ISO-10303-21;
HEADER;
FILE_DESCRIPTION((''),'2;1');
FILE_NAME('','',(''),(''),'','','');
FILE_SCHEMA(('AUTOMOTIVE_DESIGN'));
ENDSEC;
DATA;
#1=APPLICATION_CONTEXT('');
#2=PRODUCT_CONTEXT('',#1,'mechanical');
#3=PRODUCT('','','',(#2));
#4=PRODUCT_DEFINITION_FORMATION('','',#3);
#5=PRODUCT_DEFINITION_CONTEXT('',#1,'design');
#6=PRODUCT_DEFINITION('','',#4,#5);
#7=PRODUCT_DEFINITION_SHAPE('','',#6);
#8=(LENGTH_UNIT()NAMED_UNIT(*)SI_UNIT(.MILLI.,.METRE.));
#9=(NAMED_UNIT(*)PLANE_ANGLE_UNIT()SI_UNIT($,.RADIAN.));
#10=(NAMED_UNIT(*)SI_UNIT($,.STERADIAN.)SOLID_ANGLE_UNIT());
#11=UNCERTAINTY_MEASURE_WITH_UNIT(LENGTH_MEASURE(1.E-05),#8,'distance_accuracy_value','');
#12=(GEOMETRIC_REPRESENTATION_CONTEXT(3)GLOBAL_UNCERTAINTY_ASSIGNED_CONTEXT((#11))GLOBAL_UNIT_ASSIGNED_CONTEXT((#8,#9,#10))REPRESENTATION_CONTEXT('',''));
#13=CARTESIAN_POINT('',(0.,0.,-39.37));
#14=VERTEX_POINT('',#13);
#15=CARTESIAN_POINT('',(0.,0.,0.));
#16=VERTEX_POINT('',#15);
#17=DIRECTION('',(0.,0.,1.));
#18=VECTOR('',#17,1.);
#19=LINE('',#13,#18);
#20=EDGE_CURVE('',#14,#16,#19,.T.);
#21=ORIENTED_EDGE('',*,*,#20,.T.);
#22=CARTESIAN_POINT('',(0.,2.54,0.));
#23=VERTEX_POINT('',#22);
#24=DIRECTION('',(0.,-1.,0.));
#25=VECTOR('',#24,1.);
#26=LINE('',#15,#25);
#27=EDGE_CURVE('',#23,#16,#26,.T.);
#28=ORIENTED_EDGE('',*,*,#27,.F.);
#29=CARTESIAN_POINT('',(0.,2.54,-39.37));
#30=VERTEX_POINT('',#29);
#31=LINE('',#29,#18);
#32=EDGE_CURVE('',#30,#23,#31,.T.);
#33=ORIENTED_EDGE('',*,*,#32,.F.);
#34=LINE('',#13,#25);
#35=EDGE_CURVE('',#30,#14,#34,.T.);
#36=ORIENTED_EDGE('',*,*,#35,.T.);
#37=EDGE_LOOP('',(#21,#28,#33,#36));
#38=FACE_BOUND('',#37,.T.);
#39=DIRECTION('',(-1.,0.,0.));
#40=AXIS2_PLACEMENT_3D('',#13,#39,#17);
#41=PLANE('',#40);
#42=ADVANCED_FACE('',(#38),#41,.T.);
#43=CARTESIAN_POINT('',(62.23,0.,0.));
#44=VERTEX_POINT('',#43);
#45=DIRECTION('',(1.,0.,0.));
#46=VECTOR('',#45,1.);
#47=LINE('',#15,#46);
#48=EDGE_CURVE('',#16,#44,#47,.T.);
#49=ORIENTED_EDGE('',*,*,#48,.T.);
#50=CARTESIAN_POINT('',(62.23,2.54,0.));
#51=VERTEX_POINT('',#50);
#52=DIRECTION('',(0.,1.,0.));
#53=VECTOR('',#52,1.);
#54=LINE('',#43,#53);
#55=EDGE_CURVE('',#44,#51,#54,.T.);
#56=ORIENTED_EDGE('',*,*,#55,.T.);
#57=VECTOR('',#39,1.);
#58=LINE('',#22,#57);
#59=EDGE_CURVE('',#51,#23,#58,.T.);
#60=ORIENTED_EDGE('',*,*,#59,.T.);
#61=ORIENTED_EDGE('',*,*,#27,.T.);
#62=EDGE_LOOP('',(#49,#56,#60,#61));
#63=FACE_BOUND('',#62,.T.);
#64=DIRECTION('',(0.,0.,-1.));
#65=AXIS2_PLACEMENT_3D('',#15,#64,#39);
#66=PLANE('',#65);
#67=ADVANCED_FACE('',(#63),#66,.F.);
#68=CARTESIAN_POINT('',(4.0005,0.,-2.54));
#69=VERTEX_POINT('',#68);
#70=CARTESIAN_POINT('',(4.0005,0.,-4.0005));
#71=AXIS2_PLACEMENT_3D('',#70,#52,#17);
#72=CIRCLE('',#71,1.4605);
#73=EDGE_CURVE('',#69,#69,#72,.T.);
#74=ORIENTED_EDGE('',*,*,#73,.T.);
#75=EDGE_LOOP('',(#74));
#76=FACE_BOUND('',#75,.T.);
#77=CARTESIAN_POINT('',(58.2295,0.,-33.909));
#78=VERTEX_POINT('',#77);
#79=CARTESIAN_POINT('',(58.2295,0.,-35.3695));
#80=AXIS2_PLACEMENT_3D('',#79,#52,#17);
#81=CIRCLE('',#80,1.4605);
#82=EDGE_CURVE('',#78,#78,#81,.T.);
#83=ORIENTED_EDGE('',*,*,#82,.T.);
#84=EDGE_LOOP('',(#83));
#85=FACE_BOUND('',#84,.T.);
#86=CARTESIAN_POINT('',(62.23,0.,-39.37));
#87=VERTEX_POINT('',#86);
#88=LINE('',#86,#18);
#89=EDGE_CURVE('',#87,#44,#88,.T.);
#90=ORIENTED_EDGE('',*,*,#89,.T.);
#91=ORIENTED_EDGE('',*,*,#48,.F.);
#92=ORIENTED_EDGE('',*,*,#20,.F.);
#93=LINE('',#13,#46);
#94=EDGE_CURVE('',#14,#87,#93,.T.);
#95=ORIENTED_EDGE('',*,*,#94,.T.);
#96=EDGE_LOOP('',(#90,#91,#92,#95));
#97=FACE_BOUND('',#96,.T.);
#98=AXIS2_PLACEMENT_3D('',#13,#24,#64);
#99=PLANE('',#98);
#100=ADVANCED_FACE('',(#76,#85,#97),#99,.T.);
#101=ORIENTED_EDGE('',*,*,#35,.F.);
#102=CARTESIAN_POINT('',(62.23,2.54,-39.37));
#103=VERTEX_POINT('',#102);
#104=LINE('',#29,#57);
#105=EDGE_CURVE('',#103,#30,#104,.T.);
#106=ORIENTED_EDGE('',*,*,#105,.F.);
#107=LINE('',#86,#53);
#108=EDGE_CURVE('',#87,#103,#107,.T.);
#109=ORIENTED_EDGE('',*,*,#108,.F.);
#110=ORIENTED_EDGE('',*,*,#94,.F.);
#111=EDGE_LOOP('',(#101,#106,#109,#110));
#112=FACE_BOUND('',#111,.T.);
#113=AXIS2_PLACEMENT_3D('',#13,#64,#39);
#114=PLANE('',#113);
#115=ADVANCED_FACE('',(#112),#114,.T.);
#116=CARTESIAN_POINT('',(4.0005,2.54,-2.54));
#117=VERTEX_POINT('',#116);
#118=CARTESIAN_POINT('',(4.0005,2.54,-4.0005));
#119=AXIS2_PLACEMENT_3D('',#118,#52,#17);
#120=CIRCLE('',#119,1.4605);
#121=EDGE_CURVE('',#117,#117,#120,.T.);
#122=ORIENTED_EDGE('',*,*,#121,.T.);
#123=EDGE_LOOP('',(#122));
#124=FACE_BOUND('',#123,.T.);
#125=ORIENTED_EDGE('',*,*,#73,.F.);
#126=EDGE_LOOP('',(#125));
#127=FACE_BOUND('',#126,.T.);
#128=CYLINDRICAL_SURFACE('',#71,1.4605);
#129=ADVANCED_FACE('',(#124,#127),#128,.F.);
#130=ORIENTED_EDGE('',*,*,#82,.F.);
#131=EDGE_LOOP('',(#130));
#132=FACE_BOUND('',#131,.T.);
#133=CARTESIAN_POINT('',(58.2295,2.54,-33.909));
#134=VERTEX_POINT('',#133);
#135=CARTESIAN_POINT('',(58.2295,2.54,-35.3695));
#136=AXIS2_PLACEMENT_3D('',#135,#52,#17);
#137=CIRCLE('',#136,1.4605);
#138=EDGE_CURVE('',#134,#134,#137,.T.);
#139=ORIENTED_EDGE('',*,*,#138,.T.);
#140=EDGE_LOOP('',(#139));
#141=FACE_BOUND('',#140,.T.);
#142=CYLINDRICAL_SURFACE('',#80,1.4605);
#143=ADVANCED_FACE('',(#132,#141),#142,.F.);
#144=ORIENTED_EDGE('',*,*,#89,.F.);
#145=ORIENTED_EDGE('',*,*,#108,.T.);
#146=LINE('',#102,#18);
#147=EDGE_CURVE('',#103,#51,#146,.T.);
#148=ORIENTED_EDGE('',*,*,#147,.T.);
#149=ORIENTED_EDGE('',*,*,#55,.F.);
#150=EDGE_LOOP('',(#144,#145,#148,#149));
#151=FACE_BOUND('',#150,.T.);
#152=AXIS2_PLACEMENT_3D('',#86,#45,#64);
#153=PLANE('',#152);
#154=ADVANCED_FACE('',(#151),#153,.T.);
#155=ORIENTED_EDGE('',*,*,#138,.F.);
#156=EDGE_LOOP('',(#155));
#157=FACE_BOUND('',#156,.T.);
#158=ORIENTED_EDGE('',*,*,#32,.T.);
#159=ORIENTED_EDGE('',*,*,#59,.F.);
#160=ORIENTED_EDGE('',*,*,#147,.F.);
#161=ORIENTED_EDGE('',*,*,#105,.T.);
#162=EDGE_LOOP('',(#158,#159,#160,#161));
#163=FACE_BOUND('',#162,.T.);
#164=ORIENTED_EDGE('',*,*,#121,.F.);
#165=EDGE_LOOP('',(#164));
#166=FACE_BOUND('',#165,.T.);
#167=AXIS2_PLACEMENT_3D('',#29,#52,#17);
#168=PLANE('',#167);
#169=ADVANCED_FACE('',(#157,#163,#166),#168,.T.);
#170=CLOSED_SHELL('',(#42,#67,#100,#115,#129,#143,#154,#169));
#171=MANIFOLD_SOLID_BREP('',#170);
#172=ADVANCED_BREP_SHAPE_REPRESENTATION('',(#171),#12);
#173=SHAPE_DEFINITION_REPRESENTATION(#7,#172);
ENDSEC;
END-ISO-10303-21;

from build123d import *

# Parameters (mm, degrees)
SKETCH1_W           = 62.23
SKETCH1_H           = 2.54
BOSS_EXTRUDE1_DEPTH = 39.37
SKETCH2_R           = 1.4605
CUT_EXTRUDE1_DEPTH  = 3.54


with BuildPart() as part:
    # Sketch1 → Boss-Extrude1 (new body)
    with BuildSketch(Plane.XY):
        with Locations((31.115, 1.27)):
            Rectangle(SKETCH1_W, SKETCH1_H)
    extrude(amount=-BOSS_EXTRUDE1_DEPTH)

    # Sketch2 → Cut-Extrude1 (cut, through all)
    with BuildSketch(Plane(origin=(0, 2.54, 0), x_dir=(1, 0, 0), z_dir=(0, 1, 0))):
        with Locations((4.0005, 4.0005)):
            Circle(SKETCH2_R)
        with Locations((58.2295, 35.3695)):
            Circle(SKETCH2_R)
    extrude(amount=-CUT_EXTRUDE1_DEPTH, mode=Mode.SUBTRACT)


solid = part.part
